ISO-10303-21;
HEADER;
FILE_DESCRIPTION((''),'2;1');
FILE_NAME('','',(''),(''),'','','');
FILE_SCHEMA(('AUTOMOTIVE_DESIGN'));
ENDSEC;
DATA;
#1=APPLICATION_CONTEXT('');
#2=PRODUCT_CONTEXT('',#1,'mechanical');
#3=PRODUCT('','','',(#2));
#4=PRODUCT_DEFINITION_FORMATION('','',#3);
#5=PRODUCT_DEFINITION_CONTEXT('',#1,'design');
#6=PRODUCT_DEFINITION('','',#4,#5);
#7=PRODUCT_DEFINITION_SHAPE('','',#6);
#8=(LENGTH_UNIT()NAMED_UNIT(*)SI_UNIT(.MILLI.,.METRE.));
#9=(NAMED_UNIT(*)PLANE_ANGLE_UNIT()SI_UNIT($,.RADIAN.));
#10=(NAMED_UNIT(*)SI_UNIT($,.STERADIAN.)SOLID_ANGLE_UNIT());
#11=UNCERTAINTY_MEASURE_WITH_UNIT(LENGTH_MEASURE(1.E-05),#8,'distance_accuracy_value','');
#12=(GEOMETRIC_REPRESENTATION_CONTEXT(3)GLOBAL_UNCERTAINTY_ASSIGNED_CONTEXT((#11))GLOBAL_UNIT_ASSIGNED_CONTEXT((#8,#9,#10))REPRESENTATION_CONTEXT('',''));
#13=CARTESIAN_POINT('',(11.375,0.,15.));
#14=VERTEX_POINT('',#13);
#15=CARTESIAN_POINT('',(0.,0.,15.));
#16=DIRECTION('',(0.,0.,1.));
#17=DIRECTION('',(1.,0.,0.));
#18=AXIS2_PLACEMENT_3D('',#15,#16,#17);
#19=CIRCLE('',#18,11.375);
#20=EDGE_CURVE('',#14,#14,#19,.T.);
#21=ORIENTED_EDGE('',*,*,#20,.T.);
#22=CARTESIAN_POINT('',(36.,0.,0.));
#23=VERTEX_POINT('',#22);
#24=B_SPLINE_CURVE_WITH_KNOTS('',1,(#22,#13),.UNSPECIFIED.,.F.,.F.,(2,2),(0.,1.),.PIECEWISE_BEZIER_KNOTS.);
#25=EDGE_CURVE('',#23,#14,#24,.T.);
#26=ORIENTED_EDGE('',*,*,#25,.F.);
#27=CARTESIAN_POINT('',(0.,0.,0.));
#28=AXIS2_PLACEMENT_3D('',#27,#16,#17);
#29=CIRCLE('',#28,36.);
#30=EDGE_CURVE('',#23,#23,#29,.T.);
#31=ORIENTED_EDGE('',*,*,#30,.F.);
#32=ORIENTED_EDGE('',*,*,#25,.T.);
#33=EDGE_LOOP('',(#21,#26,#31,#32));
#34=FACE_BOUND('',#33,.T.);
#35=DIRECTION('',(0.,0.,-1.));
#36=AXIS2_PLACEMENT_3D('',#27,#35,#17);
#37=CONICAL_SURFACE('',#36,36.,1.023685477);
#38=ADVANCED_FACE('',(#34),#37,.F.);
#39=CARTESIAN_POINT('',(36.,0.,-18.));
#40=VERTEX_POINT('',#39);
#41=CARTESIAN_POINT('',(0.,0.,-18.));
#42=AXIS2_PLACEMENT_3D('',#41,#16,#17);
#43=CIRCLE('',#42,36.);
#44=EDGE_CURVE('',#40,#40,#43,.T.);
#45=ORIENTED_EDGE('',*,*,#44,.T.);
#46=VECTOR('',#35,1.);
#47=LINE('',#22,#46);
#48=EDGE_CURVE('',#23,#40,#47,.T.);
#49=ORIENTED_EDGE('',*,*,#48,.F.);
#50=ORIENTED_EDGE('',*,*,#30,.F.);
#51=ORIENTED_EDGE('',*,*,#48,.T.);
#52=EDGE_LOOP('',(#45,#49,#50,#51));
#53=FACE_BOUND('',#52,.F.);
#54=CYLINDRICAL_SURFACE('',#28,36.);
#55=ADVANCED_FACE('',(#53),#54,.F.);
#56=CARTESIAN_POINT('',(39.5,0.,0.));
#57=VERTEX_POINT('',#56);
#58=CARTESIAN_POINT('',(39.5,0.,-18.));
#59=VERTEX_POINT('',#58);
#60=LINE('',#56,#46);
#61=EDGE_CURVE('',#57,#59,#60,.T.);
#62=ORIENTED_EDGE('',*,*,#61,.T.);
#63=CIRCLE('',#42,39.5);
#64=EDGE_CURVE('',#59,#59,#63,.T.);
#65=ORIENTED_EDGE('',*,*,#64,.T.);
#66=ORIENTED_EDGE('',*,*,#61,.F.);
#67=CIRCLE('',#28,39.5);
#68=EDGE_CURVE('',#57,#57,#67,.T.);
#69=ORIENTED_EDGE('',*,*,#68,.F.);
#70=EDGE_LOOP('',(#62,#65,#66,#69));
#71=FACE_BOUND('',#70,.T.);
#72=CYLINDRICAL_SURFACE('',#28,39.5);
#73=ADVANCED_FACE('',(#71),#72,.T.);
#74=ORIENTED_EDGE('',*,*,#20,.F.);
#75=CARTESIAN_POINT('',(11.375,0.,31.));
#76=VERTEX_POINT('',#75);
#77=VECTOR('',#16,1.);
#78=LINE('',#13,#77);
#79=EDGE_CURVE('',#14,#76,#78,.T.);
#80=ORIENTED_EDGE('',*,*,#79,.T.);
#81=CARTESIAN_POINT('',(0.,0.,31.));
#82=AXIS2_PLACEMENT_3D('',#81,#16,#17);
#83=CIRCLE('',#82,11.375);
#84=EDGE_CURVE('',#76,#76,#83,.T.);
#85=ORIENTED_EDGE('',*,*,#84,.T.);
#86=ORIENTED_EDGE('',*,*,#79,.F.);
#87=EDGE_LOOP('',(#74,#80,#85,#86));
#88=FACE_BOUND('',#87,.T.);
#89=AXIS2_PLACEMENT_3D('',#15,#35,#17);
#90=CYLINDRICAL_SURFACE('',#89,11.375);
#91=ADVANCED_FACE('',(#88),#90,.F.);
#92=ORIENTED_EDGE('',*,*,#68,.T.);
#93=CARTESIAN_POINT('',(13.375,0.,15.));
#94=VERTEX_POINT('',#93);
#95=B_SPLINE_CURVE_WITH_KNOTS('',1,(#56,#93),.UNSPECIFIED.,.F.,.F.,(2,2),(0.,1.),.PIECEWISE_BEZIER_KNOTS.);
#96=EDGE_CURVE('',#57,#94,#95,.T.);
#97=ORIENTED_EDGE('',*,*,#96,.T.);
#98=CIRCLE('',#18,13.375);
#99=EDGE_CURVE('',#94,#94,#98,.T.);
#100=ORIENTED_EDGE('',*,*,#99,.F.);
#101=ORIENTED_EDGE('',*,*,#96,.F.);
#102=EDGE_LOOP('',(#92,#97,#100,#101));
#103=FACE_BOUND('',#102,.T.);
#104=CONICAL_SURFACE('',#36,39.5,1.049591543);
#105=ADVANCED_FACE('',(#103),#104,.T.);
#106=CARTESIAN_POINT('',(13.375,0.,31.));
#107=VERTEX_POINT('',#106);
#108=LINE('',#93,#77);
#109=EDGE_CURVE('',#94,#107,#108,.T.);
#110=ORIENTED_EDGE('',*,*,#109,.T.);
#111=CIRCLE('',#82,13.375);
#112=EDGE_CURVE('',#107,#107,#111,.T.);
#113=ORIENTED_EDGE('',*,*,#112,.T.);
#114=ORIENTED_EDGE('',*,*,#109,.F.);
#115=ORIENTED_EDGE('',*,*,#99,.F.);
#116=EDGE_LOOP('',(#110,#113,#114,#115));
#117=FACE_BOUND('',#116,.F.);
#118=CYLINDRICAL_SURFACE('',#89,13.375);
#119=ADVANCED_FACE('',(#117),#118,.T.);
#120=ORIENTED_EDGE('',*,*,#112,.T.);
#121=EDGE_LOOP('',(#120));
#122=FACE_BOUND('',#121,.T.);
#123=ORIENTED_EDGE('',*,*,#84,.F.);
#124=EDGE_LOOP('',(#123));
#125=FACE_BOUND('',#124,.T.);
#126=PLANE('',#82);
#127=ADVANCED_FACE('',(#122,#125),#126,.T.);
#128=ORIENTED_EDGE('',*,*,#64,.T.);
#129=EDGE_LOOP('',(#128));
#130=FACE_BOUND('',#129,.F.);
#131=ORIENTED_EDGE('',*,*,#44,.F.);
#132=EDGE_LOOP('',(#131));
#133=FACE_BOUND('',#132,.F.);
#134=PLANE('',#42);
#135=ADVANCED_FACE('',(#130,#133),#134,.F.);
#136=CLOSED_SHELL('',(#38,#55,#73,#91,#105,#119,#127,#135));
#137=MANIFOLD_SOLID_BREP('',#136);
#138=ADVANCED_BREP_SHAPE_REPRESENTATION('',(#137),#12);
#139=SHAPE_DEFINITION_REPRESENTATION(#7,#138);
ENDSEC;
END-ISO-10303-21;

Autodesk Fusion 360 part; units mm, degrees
sketch "Boceto1" plane through (0, 0, 0) normal (0, 0, 1) x (1, 0, 0)
  circle A0 centre (0, 0) radius 39.5
  circle A1 centre (0, 0) radius 36
  dimension "d1" = 79
  dimension "d2" = -3.5
ref_plane "PlanoDeObra1" through (0, 0, 15) normal (0, 0, 1) x (1, 0, 0)
sketch "Boceto2" plane through (0, 0, 15) normal (0, 0, 1) x (1, 0, 0)
  circle A0 centre (0, 0) radius 13.375
  circle A1 centre (0, 0) radius 11.375
  dimension "d4" = 26.75
  dimension "d5" = -2
loft "Solevación1" add profiles "Boceto1", "Boceto2" section 1 section 2
loft "Solevación2" cut profiles "Boceto2", "Boceto1" section 1 contours A1 section 2 contours A1
extrude "Extruir1" add sketch "Boceto2" along normal blind 16
extrude "Extruir2" add sketch "Boceto1" against normal blind 18
